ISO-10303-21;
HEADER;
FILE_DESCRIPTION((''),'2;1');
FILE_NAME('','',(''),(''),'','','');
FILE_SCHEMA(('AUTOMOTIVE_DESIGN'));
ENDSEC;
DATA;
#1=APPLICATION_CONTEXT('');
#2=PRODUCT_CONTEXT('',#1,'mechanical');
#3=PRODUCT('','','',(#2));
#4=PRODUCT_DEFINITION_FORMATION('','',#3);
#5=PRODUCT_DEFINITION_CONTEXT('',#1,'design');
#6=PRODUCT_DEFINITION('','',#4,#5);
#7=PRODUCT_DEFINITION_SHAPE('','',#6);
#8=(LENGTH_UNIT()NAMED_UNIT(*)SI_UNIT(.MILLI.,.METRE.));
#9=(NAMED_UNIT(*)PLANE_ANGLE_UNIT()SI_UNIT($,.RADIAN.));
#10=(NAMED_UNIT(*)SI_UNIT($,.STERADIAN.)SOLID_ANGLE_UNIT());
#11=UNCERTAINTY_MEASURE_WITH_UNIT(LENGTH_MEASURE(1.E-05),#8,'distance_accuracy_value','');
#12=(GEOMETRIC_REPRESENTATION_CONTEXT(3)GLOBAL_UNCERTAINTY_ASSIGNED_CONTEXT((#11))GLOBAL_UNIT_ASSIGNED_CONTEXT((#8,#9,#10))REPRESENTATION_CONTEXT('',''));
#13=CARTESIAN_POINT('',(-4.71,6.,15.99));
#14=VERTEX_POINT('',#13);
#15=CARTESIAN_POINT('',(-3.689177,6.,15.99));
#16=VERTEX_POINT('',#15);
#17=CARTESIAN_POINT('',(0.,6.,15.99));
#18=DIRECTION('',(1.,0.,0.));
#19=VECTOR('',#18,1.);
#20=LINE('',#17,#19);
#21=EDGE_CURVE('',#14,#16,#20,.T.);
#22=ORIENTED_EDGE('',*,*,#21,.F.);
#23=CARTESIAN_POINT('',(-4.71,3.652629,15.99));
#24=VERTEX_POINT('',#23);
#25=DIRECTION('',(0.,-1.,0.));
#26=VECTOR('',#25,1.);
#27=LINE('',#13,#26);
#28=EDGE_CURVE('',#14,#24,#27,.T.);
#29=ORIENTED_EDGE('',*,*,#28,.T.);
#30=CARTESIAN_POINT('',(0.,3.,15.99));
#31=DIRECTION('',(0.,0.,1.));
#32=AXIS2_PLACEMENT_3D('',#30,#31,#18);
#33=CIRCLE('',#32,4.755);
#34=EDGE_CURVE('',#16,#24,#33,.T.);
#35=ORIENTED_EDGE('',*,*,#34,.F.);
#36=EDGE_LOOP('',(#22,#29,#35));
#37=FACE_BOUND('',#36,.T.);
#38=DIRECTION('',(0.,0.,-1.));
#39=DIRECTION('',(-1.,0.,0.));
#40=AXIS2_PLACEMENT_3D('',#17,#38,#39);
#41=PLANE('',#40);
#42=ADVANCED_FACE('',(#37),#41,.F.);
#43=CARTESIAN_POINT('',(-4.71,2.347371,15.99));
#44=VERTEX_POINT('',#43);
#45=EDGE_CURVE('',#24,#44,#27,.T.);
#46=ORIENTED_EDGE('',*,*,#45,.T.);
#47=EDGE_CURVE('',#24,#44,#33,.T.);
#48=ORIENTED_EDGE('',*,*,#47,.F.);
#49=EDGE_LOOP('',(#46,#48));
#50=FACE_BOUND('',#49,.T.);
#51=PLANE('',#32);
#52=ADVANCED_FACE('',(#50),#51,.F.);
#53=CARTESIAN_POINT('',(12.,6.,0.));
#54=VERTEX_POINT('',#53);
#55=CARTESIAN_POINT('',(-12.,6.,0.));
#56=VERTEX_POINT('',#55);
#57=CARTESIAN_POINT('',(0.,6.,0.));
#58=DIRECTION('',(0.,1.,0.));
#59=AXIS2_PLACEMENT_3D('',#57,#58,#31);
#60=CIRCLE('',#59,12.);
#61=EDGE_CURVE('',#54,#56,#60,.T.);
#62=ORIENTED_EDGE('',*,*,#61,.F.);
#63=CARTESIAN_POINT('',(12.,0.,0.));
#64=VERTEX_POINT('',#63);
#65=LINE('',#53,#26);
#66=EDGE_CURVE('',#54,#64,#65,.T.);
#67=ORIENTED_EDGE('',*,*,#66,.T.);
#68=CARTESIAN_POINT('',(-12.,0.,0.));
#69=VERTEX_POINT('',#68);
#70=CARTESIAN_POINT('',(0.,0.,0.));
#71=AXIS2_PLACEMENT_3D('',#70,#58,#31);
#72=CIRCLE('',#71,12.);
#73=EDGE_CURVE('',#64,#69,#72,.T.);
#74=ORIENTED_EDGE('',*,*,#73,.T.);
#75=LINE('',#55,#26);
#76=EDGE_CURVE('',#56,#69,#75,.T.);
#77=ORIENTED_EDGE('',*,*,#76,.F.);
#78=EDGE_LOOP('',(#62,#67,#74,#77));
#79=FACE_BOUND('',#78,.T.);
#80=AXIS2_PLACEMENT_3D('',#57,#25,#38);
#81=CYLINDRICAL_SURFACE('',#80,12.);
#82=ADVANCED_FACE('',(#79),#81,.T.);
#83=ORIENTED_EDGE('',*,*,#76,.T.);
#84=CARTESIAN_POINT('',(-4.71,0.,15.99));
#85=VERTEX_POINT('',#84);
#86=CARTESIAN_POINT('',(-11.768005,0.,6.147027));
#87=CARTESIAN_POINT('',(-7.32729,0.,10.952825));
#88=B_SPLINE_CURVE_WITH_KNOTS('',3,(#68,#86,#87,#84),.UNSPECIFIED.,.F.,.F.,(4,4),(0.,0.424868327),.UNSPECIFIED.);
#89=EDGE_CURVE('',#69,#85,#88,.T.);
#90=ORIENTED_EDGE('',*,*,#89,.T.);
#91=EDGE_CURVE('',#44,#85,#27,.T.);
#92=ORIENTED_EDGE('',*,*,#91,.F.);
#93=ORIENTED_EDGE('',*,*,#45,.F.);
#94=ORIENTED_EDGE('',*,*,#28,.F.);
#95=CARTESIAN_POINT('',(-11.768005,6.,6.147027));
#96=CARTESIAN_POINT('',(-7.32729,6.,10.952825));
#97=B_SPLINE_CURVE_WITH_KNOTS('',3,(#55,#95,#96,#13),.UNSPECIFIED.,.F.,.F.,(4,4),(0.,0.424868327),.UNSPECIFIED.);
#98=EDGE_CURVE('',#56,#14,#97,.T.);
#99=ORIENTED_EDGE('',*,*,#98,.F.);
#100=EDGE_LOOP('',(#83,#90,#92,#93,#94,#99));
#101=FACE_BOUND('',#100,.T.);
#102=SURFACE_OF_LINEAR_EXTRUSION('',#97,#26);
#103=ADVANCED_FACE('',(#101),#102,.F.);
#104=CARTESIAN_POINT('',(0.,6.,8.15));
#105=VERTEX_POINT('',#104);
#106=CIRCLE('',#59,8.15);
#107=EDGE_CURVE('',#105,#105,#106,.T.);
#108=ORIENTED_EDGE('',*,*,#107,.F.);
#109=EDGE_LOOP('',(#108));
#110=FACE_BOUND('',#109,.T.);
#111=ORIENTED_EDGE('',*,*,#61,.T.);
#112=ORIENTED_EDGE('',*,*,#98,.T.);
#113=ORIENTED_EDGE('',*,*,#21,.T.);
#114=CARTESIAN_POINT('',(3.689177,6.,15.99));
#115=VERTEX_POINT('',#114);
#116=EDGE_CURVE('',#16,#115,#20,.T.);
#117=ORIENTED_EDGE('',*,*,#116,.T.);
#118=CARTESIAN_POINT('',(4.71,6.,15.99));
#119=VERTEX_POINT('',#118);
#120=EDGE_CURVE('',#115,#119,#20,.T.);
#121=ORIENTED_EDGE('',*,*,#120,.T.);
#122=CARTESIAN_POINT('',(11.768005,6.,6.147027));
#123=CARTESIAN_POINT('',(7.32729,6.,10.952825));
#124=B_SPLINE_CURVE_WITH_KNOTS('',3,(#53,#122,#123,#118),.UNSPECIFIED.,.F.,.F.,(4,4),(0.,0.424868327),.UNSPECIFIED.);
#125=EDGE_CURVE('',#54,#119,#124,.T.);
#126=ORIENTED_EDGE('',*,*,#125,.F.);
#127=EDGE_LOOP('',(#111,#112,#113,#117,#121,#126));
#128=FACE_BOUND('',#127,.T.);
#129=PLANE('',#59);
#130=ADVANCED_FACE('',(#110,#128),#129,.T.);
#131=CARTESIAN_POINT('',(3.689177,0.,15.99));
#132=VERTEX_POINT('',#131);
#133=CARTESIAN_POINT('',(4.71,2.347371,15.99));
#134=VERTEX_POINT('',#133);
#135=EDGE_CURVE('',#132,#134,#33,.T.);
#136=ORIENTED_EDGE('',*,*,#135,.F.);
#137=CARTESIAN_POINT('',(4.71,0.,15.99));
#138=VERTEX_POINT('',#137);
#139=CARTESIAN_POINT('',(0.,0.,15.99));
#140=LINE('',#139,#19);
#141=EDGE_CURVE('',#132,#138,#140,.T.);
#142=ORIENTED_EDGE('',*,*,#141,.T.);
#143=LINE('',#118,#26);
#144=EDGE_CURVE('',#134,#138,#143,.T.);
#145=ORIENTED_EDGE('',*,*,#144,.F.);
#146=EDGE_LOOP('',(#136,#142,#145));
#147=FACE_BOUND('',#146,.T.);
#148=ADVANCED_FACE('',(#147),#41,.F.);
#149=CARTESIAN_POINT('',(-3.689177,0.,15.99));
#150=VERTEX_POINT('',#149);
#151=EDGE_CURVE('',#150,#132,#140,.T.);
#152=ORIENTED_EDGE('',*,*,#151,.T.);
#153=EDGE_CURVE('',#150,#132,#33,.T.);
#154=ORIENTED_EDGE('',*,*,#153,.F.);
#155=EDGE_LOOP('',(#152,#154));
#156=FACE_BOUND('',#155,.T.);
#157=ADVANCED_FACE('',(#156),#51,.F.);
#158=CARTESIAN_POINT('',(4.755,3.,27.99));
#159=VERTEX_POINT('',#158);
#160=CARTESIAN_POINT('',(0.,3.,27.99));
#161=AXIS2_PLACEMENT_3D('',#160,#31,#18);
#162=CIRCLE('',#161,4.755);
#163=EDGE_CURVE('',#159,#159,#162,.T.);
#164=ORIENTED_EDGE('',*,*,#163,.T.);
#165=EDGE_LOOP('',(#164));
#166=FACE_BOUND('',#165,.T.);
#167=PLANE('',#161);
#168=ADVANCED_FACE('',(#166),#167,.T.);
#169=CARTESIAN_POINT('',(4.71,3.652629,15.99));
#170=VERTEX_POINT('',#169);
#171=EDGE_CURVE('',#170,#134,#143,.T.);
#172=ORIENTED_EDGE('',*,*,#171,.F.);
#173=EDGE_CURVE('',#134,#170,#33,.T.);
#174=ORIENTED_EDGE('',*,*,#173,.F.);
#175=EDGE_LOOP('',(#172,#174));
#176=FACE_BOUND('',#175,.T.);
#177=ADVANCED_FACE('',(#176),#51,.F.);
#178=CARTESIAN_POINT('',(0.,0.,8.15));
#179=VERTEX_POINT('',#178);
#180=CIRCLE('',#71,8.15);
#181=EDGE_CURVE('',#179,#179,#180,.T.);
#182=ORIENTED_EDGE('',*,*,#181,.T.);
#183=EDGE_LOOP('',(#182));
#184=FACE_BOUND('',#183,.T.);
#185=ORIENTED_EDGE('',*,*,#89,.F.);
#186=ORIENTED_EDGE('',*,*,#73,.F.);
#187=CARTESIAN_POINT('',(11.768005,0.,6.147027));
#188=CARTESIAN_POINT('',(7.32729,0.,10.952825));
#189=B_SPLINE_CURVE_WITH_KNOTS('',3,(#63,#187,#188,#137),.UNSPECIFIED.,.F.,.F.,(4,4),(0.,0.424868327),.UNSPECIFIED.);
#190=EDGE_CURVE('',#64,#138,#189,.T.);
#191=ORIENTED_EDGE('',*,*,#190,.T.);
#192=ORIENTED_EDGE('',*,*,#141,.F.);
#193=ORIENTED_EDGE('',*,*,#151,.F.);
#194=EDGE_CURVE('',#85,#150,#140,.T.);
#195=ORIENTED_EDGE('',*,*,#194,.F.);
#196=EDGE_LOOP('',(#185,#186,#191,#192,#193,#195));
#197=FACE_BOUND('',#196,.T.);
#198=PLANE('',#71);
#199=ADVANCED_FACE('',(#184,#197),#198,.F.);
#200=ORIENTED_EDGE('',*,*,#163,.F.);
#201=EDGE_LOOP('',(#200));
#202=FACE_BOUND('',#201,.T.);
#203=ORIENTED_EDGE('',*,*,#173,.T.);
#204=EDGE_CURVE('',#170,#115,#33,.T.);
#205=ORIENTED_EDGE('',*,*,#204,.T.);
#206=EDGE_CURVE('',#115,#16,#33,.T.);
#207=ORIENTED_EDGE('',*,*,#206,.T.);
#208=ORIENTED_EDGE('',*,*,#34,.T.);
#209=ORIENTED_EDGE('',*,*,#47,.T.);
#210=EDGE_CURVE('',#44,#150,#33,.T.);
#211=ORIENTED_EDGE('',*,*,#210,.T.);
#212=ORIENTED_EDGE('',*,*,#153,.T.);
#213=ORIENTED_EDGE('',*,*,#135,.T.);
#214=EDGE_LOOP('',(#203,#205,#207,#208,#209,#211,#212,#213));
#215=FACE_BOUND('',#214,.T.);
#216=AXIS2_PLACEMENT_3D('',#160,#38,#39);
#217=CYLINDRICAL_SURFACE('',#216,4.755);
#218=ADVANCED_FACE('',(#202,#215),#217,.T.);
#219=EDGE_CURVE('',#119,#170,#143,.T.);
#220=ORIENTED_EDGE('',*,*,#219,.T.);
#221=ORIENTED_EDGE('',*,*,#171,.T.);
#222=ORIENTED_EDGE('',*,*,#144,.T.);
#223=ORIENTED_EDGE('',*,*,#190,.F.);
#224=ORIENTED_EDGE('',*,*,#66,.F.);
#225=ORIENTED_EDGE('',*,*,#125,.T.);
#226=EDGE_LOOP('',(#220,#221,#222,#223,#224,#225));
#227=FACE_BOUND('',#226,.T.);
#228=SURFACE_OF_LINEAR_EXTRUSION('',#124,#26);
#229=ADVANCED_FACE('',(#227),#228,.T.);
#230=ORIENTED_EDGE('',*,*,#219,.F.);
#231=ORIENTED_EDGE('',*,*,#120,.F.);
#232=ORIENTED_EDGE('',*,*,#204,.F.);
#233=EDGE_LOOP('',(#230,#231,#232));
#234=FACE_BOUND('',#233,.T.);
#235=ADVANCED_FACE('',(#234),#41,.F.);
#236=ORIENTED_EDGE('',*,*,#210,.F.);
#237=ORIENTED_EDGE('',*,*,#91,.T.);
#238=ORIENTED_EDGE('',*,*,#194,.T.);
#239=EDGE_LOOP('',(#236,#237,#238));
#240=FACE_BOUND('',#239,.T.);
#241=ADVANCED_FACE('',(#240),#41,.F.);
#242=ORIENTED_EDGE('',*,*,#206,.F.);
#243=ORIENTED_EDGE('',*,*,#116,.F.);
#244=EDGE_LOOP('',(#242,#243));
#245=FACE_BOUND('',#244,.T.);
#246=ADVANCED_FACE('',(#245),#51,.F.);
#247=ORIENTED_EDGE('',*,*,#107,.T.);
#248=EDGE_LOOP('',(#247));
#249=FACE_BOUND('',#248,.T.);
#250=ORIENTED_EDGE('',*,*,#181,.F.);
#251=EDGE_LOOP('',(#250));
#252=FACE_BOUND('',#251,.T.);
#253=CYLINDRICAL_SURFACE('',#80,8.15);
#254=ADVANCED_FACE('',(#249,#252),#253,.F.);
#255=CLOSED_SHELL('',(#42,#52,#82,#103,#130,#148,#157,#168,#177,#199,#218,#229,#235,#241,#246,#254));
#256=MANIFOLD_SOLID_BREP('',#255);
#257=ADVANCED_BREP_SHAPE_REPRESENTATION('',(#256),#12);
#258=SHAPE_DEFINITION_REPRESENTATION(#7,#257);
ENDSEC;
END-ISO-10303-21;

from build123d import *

# Parameters (mm, degrees)
SKETCH2_R           = 8.15
BOSS_EXTRUDE1_DEPTH = 6
SKETCH3_R           = 4.755
BOSS_EXTRUDE2_DEPTH = 12


with BuildPart() as part:
    # Sketch2 → Boss-Extrude1 (new body)
    with BuildSketch(Plane(origin=(0, 0, 0), x_dir=(1, 0, 0), z_dir=(0, 1, 0))):
        with BuildLine():
            Line((-4.71, -15.99), (4.71, -15.99))
            add(Edge.make_bspline(
                [(12, 0), (11.768004517, -6.147027332), (7.327289648, -10.952825214), (4.71, -15.99)],
                knots=[0, 0, 0, 0, 0.424868327, 0.424868327, 0.424868327, 0.424868327], degree=3))
            ThreePointArc((12, 0), (0, 12), (-12, 0))
            add(Edge.make_bspline(
                [(-12, 0), (-11.768004517, -6.147027332), (-7.327289648, -10.952825214), (-4.71, -15.99)],
                knots=[0, 0, 0, 0, 0.424868327, 0.424868327, 0.424868327, 0.424868327], degree=3))
        make_face()
        Circle(SKETCH2_R, mode=Mode.SUBTRACT)
    extrude(amount=BOSS_EXTRUDE1_DEPTH)

    # Sketch3 → Boss-Extrude2 (add)
    with BuildSketch(Plane.XY.offset(15.99)):
        with Locations((0, 3)):
            Circle(SKETCH3_R)
    extrude(amount=BOSS_EXTRUDE2_DEPTH)


solid = part.part
